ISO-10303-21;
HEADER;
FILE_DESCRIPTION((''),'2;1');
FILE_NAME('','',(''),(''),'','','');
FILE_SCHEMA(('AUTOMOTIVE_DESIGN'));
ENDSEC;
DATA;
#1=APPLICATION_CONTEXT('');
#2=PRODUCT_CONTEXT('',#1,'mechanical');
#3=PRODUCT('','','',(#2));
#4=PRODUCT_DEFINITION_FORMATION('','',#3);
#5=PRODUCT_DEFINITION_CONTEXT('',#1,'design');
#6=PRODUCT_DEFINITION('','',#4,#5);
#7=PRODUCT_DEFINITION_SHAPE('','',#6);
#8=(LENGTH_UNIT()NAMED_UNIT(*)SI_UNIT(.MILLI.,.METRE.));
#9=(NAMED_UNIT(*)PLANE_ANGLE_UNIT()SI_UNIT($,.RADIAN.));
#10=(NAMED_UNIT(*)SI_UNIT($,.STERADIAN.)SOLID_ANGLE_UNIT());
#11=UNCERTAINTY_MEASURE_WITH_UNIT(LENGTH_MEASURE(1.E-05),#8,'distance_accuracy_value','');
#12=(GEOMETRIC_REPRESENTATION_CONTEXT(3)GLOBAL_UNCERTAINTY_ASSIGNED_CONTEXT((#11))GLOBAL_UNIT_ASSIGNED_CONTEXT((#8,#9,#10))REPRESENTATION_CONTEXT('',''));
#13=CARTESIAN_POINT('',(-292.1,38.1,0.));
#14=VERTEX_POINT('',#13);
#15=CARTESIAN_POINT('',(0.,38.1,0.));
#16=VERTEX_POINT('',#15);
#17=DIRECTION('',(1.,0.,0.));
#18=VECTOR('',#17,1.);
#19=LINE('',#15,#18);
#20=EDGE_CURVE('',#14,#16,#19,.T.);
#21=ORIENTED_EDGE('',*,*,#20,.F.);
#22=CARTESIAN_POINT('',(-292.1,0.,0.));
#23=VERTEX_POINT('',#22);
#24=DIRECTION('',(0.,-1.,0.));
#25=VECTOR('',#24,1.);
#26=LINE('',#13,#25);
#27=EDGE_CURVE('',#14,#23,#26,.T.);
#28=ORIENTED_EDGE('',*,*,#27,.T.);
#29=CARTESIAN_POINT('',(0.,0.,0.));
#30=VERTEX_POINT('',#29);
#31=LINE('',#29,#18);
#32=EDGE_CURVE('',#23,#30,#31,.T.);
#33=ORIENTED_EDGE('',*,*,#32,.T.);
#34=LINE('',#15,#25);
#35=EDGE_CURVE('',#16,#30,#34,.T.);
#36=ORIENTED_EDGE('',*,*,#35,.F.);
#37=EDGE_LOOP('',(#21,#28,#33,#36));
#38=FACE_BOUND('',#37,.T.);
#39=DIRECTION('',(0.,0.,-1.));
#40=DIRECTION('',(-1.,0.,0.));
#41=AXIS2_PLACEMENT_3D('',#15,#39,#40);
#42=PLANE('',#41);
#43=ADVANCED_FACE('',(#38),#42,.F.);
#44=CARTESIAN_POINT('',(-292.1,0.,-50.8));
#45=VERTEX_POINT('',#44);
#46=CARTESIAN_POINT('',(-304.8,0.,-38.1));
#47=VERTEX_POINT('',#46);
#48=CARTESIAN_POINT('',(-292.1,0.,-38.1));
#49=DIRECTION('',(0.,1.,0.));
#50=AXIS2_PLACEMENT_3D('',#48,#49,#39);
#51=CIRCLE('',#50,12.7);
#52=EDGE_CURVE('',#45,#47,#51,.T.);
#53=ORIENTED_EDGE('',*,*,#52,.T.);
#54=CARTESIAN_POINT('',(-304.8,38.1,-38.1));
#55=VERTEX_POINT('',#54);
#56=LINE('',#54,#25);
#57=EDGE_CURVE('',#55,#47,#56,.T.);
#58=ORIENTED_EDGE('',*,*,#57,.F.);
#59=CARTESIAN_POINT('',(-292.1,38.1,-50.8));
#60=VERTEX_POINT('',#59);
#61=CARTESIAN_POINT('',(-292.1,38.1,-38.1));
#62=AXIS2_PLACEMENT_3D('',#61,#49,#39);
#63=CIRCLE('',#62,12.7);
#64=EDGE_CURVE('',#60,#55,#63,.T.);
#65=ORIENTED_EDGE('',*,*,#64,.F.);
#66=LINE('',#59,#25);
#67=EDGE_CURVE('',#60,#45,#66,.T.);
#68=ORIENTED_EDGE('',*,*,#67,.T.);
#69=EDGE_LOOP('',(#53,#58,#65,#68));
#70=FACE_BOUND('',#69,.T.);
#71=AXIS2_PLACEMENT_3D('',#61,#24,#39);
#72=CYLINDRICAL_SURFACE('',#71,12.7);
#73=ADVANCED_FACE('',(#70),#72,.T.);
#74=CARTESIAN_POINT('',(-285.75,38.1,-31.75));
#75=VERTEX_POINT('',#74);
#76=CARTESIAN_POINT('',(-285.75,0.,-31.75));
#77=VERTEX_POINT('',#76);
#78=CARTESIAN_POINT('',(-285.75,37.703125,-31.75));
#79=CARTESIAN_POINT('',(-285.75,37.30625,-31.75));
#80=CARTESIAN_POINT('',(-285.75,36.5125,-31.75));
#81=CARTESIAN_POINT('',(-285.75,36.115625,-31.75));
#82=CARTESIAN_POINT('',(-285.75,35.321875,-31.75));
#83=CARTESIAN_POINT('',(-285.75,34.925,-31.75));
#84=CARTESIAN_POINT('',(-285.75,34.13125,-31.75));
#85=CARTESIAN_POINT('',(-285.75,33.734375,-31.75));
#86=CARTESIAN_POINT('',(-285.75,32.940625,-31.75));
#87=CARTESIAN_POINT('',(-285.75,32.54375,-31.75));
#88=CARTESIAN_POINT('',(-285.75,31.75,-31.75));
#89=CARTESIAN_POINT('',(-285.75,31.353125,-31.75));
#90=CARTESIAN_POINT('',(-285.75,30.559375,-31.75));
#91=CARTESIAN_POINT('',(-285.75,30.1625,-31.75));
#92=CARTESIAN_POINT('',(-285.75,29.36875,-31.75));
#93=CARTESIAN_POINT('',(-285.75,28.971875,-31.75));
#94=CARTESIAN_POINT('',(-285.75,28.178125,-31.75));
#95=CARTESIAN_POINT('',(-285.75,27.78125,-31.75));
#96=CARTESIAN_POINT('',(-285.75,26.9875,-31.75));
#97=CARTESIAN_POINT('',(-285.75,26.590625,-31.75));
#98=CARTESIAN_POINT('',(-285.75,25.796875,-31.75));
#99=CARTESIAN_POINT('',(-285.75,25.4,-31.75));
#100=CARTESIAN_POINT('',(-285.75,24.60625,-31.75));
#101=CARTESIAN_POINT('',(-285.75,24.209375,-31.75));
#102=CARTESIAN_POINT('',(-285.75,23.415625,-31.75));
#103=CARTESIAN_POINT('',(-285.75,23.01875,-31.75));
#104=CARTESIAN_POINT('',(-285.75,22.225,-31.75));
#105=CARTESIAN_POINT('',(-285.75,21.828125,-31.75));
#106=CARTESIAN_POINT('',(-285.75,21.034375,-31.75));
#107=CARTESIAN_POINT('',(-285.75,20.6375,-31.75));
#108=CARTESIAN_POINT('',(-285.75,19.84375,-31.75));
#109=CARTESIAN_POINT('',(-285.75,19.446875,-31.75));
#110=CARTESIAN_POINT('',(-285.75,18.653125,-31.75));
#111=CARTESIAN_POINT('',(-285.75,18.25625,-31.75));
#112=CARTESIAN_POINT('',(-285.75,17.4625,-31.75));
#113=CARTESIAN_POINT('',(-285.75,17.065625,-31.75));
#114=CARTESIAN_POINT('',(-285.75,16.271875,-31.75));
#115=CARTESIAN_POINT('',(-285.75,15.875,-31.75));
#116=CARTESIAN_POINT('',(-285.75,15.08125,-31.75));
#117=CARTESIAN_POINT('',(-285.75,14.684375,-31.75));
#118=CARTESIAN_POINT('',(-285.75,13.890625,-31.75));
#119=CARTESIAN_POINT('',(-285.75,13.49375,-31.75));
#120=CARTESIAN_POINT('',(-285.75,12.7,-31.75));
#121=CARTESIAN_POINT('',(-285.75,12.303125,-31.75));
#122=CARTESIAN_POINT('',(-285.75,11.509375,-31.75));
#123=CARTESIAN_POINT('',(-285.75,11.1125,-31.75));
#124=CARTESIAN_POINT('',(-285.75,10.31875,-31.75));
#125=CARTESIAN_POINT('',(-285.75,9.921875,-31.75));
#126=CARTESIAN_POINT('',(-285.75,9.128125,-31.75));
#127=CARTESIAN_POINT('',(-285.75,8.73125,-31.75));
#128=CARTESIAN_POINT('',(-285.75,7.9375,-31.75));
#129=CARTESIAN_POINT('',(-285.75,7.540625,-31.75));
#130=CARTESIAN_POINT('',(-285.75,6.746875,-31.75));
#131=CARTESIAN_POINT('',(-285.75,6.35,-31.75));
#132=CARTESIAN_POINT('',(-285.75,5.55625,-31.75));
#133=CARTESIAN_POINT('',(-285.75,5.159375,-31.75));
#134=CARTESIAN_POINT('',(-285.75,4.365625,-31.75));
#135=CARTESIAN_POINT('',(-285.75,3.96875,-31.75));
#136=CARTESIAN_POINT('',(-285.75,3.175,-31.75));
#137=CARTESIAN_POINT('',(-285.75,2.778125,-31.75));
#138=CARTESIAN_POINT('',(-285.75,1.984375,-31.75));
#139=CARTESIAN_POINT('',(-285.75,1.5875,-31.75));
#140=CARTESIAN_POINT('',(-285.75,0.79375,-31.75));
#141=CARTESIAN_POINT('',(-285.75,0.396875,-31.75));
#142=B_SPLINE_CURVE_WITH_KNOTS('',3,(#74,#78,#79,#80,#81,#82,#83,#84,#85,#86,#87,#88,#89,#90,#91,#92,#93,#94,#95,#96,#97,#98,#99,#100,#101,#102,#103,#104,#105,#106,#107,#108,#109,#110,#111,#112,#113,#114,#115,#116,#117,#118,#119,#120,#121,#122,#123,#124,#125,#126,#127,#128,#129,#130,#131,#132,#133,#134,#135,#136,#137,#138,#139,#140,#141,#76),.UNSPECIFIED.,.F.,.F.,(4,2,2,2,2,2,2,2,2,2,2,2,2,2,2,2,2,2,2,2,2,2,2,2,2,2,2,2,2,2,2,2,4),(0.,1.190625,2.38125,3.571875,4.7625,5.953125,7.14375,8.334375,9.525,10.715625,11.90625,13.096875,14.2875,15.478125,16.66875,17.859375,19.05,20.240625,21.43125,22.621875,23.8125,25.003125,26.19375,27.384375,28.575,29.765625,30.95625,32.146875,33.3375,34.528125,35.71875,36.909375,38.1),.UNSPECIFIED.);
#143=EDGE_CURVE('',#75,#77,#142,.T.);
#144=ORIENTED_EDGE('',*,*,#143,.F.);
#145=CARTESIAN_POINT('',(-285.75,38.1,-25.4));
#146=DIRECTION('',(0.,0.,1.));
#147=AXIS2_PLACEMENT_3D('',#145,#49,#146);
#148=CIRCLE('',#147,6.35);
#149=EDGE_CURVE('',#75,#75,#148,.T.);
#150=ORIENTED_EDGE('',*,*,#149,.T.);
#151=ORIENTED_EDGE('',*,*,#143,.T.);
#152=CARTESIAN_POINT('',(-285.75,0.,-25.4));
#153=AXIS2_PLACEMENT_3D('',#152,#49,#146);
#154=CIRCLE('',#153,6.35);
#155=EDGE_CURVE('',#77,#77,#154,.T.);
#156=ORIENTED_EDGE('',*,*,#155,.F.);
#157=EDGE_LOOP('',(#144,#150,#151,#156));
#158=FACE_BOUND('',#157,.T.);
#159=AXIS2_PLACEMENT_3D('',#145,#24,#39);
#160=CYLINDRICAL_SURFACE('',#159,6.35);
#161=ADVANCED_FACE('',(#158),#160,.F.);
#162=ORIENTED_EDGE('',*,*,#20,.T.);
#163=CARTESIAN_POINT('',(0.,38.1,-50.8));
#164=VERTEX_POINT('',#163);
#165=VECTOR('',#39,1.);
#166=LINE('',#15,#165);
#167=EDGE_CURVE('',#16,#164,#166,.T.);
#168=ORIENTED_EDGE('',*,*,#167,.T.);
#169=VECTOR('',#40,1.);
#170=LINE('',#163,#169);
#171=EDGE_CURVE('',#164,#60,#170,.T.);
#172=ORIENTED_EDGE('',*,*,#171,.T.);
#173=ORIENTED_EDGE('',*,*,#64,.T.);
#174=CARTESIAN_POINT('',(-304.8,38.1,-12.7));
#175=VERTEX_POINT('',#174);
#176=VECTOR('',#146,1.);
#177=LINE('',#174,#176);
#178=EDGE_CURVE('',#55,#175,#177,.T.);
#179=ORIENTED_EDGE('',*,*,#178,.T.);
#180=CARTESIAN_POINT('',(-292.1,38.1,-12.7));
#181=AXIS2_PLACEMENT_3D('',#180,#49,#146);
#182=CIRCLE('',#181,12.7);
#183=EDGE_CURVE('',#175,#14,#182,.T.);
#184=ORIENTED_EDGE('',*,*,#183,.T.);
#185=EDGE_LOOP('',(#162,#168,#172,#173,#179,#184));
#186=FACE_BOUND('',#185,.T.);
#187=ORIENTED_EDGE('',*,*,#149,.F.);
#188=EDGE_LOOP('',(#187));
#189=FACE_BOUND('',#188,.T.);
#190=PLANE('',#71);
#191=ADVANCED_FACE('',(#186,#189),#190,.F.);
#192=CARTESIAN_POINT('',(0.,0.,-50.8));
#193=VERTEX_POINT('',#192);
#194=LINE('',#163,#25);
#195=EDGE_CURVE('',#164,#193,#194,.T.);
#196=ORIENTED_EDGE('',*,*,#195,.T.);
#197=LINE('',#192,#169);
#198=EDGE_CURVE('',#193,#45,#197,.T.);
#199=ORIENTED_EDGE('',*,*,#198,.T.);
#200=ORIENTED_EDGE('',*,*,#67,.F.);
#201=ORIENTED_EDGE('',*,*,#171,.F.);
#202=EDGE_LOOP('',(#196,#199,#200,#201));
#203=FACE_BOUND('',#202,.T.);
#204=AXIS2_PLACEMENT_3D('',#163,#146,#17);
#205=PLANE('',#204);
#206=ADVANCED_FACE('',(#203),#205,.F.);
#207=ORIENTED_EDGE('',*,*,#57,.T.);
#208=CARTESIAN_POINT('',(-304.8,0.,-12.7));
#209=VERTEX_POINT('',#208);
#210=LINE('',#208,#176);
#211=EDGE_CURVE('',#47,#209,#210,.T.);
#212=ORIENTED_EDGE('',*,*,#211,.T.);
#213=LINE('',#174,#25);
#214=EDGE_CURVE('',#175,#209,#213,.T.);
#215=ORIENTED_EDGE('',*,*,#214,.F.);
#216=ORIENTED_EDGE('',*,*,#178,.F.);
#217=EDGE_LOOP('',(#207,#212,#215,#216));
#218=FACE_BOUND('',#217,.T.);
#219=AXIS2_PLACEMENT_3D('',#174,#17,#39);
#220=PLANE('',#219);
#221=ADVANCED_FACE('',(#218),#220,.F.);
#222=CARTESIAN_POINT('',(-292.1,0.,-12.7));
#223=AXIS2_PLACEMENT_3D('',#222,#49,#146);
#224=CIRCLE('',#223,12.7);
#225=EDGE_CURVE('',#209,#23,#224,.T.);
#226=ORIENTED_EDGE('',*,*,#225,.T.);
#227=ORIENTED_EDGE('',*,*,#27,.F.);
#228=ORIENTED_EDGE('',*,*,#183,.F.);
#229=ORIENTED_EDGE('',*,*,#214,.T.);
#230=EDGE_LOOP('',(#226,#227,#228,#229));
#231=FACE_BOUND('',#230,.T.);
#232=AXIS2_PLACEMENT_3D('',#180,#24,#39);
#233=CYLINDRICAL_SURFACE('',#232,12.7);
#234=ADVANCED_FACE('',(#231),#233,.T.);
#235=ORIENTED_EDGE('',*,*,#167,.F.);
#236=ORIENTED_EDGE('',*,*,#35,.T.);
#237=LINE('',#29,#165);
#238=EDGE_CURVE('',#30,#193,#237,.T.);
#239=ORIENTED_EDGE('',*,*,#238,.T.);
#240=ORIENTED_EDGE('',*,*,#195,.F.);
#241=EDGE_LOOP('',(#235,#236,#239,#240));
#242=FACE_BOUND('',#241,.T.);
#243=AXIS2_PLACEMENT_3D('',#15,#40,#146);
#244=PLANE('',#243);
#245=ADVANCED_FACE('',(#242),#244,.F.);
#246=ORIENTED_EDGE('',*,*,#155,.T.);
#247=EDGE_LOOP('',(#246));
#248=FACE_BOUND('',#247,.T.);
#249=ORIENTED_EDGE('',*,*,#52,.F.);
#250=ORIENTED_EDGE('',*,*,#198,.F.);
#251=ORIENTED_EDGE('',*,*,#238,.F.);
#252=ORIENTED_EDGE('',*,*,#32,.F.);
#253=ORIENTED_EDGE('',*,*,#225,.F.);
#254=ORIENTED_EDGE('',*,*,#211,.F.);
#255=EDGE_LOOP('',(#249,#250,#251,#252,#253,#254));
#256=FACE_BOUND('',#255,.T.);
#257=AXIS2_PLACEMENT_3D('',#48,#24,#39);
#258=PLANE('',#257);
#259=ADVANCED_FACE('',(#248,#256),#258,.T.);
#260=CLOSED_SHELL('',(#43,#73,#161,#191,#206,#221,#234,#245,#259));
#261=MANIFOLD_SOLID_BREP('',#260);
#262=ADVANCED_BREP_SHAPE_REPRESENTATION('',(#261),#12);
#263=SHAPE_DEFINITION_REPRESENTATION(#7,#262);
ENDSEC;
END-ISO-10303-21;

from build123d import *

# Parameters (mm, degrees)
SKETCH1_R           = 6.35
BOSS_EXTRUDE1_DEPTH = 38.1


with BuildPart() as part:
    # Sketch1 → Boss-Extrude1 (new body)
    with BuildSketch(Plane(origin=(0, 0, 0), x_dir=(1, 0, 0), z_dir=(0, 1, 0))):
        with BuildLine():
            Line((0, 0), (-292.1, 0))
            ThreePointArc((-292.1, 0), (-301.080256121, 3.719743879), (-304.8, 12.7))
            Line((-304.8, 12.7), (-304.8, 38.1))
            ThreePointArc((-304.8, 38.1), (-301.080256121, 47.080256121), (-292.1, 50.8))
            Line((-292.1, 50.8), (0, 50.8))
            Line((0, 50.8), (0, 0))
        make_face()
        with Locations(Location((-285.75, 25.4, 0), (0, 0, 90))):
            Circle(SKETCH1_R, mode=Mode.SUBTRACT)
    extrude(amount=BOSS_EXTRUDE1_DEPTH)


solid = part.part
